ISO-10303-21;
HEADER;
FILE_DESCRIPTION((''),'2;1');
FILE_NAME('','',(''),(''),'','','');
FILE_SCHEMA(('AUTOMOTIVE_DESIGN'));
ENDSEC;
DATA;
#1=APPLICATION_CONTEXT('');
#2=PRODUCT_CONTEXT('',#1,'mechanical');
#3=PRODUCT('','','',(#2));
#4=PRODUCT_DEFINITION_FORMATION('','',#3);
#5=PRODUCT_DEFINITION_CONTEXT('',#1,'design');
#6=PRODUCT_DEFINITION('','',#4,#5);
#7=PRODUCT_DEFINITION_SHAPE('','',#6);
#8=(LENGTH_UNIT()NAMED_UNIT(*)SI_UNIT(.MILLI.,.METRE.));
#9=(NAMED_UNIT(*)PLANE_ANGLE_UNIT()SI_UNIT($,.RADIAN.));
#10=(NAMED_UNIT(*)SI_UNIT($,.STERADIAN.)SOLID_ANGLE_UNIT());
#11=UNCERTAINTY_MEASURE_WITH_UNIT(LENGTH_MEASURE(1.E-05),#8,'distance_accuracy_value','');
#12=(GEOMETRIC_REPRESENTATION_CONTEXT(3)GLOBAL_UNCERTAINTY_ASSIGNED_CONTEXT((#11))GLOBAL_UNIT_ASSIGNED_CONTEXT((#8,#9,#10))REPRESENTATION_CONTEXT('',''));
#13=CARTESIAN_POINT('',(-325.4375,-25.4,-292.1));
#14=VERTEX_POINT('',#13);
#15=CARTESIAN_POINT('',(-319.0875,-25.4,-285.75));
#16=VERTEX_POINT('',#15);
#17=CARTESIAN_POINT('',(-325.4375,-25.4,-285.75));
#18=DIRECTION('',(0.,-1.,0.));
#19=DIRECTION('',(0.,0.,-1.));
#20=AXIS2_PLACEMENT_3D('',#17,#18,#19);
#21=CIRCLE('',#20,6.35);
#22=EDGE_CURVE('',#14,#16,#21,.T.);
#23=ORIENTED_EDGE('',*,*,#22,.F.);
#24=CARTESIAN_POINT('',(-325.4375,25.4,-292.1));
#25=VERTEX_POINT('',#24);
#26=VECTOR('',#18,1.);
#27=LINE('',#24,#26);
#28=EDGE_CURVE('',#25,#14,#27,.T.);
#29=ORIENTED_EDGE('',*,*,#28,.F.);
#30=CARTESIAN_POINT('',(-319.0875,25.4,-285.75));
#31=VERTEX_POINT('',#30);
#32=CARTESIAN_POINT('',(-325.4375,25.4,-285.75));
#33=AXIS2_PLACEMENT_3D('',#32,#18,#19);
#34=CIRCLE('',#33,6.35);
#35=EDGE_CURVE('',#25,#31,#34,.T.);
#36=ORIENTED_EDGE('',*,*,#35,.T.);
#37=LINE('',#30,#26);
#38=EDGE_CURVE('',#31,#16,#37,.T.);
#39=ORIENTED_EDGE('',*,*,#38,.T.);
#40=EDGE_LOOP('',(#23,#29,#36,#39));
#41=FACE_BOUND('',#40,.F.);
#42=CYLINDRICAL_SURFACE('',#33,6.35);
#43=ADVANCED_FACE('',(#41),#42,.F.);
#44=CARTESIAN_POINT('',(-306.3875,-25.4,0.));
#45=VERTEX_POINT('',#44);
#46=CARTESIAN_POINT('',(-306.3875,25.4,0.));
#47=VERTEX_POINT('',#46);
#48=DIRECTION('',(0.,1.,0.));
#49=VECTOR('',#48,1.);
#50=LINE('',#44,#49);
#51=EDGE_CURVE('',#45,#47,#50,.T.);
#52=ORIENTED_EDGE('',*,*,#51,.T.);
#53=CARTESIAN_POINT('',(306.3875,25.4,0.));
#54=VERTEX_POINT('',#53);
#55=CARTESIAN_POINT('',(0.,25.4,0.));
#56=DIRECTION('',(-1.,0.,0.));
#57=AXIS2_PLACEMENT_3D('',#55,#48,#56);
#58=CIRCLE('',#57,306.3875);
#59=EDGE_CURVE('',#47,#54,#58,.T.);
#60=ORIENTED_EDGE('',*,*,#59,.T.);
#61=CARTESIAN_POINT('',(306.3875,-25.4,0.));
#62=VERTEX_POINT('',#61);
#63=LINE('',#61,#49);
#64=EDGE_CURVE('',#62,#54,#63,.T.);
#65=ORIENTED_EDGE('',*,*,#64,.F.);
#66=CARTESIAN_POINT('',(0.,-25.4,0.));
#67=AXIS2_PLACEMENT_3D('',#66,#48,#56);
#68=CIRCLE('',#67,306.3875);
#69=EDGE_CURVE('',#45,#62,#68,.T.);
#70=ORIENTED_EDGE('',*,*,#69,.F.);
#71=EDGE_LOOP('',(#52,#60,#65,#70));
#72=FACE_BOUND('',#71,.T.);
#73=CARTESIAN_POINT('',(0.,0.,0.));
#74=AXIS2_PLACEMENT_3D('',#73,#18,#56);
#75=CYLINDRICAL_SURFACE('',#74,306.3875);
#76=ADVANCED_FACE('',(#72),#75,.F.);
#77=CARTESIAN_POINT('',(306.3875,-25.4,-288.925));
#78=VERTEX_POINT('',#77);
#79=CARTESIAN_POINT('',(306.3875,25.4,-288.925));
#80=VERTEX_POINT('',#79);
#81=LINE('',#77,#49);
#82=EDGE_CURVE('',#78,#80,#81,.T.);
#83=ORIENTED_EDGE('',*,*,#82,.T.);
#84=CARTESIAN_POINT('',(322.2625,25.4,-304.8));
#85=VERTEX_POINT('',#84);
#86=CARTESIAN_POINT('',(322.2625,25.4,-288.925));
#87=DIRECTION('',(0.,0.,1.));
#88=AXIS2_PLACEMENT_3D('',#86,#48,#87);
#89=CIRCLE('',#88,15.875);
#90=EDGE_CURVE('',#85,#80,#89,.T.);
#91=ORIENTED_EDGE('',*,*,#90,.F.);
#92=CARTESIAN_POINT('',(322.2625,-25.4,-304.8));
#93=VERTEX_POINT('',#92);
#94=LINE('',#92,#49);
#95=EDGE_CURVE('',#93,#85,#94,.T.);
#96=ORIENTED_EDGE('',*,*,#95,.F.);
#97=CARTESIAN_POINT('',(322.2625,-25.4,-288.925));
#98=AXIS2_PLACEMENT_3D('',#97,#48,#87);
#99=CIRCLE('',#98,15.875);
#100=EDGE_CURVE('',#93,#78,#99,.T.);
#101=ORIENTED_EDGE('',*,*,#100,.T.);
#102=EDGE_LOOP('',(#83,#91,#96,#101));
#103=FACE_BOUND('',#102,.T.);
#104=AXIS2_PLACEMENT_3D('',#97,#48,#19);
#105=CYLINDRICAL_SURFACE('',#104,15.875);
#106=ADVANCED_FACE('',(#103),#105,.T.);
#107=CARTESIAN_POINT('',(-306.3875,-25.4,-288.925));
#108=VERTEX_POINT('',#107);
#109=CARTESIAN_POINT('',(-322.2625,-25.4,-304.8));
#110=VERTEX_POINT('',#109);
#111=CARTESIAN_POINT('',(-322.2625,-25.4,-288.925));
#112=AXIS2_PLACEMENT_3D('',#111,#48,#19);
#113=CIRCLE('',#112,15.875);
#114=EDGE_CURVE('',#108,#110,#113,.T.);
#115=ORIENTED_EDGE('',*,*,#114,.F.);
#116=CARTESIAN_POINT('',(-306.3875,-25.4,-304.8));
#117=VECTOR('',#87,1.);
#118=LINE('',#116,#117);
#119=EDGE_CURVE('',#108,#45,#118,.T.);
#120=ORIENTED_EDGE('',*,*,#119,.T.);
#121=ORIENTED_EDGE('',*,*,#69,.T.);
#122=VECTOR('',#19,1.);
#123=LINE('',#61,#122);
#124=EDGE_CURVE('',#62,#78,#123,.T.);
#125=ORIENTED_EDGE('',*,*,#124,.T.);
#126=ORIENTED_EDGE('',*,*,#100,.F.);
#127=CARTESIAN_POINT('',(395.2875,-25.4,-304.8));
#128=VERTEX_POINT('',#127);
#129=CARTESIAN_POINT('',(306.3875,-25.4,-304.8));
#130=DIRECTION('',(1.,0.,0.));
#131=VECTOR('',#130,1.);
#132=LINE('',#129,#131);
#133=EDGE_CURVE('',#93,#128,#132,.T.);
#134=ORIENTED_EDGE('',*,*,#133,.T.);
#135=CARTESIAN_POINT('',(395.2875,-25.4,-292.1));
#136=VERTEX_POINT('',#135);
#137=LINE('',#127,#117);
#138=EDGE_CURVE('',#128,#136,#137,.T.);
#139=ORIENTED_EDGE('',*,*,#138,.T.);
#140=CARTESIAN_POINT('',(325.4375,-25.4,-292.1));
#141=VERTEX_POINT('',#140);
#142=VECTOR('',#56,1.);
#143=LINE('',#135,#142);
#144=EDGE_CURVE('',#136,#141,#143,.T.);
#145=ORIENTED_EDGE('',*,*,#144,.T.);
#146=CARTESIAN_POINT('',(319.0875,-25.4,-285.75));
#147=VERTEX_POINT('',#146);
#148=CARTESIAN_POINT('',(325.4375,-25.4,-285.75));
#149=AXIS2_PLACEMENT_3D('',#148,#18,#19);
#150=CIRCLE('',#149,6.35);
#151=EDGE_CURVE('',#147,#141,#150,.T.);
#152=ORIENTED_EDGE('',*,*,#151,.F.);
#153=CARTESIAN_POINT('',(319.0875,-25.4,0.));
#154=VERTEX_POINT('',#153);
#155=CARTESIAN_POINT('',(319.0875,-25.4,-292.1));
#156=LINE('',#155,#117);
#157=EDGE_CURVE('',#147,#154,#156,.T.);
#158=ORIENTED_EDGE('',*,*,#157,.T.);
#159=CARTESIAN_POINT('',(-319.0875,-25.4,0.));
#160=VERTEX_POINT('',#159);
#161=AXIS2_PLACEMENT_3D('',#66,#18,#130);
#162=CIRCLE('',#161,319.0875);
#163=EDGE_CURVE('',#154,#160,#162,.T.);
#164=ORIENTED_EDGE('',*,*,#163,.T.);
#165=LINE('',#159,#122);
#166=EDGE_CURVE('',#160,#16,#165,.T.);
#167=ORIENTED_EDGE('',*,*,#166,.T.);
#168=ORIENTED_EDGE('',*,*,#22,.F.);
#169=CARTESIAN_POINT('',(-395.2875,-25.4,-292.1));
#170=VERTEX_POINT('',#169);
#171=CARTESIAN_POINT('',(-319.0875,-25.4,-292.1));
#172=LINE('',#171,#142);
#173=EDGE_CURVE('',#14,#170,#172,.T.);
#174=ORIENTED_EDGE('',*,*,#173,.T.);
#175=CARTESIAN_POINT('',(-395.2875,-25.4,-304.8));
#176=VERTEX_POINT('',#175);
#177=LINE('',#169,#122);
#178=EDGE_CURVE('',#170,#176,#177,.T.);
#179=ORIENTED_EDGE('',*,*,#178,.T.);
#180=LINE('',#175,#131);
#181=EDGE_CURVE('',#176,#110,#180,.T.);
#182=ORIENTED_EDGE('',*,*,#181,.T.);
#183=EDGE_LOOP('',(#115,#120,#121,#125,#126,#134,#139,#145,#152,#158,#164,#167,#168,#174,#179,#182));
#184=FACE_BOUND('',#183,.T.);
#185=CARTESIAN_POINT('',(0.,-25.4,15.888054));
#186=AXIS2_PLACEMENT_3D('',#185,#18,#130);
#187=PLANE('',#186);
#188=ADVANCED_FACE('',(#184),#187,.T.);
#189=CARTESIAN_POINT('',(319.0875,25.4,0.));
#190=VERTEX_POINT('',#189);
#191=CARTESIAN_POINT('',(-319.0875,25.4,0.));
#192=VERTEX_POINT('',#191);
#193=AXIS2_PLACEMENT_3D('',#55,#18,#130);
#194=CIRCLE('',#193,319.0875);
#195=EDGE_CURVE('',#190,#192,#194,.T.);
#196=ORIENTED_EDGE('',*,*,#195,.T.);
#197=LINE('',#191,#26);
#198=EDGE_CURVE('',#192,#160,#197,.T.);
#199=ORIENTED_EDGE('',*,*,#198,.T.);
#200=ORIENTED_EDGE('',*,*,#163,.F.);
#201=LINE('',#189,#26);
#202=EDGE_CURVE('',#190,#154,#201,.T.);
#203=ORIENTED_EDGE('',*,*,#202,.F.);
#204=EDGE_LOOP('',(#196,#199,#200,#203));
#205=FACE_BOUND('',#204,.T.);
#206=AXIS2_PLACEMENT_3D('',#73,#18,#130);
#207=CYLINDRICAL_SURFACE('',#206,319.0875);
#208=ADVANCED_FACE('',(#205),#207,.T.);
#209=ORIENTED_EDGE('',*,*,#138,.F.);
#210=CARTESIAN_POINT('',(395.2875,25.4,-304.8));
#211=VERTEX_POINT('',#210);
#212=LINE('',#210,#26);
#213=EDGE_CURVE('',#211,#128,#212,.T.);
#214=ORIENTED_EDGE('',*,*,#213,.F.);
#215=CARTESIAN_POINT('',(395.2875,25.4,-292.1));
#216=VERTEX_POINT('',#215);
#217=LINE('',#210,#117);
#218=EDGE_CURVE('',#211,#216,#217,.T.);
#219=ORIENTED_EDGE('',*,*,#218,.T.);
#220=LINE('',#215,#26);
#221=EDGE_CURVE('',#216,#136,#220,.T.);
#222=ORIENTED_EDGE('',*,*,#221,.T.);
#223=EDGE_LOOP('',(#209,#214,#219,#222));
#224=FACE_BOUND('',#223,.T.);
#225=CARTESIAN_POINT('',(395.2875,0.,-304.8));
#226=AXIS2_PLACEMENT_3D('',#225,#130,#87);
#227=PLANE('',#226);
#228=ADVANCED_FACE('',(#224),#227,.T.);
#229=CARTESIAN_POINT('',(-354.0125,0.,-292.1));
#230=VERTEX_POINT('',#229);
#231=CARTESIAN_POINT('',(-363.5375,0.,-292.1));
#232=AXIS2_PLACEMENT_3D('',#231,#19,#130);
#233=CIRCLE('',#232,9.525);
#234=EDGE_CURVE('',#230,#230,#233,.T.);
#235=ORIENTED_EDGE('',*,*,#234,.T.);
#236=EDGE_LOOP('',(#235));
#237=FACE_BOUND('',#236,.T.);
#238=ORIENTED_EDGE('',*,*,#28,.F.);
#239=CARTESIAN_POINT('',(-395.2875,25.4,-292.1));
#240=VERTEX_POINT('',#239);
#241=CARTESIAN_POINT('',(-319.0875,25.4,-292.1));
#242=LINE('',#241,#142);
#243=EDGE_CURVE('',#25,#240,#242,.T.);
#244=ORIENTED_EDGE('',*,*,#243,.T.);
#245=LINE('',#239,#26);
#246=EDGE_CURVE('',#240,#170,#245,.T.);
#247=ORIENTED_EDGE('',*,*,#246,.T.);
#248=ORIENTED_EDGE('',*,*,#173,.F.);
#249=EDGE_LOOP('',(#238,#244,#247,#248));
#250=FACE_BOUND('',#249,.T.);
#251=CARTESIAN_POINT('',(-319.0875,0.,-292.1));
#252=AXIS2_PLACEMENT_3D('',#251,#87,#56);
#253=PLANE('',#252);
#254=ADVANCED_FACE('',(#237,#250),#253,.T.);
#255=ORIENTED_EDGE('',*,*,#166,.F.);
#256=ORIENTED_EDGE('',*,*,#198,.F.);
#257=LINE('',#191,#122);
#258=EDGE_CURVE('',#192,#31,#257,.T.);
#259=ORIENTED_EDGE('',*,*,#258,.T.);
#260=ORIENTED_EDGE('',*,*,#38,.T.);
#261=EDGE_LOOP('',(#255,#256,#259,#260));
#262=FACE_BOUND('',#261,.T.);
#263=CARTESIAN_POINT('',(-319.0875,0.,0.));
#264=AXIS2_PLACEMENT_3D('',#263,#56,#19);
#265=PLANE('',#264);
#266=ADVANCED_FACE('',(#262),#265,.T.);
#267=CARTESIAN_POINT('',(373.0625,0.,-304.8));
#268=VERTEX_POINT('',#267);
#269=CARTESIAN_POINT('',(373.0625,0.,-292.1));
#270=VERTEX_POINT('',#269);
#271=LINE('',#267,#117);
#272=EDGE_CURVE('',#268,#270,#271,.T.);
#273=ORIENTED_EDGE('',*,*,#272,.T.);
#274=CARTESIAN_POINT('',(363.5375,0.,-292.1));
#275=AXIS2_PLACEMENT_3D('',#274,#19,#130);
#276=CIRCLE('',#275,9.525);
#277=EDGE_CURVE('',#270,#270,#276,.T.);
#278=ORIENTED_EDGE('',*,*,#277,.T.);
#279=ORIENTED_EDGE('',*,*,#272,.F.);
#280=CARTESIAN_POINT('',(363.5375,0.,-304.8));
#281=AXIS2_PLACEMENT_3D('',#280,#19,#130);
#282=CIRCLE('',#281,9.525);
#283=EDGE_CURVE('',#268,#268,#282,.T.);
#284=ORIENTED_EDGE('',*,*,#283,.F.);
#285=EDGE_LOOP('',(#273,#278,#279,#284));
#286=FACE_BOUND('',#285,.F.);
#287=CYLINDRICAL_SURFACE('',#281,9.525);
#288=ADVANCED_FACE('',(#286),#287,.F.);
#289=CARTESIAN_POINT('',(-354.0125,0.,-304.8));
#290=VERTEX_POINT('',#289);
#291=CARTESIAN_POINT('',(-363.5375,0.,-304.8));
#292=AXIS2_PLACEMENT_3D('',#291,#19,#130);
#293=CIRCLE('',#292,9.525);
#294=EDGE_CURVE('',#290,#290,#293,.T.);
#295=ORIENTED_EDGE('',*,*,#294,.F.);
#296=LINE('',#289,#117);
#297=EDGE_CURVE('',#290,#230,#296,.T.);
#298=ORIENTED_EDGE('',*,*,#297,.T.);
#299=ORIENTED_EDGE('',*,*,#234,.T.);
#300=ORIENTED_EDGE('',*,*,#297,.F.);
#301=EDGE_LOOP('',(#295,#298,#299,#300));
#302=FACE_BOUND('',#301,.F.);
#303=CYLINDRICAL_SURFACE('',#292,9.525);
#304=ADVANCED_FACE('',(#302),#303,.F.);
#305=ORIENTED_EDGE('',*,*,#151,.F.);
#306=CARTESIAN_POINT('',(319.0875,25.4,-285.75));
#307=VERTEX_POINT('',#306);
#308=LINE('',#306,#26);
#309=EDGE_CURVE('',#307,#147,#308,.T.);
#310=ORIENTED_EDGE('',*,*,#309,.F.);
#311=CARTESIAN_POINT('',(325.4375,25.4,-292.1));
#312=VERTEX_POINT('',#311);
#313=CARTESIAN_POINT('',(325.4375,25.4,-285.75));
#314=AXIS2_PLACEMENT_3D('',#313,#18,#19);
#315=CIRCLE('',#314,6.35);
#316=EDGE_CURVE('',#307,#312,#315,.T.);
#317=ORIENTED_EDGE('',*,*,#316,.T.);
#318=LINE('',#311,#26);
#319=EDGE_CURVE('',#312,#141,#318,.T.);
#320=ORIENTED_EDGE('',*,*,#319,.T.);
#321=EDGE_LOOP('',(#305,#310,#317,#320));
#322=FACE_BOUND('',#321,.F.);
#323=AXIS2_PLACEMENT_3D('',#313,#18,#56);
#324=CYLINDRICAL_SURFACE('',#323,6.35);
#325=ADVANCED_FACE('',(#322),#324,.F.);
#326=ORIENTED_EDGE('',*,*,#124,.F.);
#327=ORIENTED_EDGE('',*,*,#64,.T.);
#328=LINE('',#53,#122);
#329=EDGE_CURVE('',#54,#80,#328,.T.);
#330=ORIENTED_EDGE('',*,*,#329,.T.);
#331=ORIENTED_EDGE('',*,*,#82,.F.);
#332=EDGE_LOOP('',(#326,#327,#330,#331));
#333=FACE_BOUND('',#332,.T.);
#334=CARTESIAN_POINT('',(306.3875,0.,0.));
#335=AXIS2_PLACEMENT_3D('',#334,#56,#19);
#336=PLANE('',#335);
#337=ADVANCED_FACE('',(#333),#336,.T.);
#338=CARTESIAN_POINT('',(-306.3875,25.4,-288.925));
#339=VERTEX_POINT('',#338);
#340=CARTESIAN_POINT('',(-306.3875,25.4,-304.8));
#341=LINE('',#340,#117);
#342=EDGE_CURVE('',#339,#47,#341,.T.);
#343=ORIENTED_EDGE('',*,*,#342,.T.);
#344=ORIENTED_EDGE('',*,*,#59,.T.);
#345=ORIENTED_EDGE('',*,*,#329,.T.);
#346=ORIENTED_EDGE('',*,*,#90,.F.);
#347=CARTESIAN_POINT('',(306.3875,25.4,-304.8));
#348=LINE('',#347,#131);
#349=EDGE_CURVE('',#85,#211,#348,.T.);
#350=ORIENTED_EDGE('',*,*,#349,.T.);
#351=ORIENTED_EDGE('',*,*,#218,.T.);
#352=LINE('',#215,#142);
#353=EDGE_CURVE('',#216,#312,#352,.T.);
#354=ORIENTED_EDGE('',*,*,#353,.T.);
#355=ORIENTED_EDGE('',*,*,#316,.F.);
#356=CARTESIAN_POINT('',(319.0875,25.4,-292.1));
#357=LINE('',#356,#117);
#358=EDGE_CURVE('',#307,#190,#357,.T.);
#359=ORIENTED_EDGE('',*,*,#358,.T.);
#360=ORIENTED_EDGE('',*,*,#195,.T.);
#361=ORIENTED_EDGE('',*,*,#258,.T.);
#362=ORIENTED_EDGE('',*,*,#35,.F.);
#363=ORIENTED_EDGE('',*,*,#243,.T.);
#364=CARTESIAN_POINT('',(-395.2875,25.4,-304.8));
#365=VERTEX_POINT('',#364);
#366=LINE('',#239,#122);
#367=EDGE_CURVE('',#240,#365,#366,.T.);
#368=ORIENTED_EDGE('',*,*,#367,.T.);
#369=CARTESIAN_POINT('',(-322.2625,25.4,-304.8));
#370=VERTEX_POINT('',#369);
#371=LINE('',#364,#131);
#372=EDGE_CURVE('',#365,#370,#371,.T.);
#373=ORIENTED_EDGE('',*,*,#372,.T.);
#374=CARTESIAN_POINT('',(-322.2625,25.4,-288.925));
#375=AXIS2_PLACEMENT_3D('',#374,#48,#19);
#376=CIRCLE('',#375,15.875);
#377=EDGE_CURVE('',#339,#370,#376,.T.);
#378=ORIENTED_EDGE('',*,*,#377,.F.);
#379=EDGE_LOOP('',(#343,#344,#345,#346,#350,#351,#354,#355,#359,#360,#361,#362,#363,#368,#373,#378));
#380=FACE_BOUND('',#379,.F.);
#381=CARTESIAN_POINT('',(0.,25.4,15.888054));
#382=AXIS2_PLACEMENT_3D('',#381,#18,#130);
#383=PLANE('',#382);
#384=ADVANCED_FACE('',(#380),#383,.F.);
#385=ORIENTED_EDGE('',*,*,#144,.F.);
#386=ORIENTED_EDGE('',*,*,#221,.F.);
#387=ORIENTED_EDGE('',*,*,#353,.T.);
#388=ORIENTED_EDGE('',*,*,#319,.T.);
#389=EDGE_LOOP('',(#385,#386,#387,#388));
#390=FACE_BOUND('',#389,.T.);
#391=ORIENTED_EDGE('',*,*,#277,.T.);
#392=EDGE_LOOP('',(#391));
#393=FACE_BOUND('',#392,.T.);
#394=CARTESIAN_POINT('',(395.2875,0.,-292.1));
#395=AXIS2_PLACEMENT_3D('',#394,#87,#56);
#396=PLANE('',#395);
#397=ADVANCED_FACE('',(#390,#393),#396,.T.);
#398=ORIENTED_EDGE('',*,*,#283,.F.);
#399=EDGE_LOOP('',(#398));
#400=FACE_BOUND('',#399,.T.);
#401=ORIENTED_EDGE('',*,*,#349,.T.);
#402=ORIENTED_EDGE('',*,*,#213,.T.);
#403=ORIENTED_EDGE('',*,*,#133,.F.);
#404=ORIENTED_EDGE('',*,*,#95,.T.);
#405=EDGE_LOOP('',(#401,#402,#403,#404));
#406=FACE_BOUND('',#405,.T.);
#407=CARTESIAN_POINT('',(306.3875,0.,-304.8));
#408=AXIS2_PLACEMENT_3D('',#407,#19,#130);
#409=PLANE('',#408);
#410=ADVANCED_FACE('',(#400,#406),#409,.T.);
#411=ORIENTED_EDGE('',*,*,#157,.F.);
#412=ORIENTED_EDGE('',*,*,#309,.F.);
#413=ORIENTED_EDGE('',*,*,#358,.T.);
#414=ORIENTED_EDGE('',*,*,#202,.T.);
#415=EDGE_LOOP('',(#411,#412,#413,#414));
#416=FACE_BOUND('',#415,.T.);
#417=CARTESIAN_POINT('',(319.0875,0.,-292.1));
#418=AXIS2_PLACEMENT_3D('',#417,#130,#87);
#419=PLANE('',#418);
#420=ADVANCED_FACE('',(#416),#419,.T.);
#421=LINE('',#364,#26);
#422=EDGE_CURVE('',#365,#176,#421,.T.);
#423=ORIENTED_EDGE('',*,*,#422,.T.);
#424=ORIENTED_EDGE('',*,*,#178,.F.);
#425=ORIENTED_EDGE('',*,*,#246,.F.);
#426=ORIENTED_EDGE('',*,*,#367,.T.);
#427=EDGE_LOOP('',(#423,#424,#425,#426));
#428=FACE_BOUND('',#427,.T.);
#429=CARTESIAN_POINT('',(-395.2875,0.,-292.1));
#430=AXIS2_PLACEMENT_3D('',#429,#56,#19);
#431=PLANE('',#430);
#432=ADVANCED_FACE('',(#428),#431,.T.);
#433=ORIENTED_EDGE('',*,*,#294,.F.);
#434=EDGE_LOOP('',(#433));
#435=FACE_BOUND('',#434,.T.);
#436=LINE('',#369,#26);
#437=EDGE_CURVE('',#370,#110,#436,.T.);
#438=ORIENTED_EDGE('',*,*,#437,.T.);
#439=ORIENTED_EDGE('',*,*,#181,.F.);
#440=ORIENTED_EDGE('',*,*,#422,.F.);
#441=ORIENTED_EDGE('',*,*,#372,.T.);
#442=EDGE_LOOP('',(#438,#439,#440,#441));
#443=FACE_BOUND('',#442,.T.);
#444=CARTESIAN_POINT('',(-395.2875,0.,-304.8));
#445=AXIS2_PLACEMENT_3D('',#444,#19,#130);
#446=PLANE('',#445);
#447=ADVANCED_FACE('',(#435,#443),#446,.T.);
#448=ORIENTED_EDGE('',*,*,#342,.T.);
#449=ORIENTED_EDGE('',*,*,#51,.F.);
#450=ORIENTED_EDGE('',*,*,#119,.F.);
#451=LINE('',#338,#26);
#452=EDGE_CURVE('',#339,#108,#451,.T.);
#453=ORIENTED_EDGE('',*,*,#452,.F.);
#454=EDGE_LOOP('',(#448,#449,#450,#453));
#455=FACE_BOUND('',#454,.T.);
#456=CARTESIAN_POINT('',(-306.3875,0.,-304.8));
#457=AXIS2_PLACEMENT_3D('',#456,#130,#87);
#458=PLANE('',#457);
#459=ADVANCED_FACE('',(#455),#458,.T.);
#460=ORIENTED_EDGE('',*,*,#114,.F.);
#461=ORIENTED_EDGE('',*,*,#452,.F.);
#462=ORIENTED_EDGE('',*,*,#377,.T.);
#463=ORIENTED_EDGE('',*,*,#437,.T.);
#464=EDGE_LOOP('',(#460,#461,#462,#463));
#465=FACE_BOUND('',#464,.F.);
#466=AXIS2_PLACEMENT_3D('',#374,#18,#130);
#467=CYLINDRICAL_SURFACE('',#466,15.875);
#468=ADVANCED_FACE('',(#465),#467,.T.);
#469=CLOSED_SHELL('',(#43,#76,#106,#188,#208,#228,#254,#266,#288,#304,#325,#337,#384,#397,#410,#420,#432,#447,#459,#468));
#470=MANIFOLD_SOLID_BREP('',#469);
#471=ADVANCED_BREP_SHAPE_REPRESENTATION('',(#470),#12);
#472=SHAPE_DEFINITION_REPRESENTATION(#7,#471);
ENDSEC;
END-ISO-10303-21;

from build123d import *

# Parameters (mm, degrees)
F1_DEPTH = 25.4
F2_R     = 6.35
F3_R     = 15.875
F4_R     = 9.525
F5_DEPTH = 25.4


with BuildPart() as f1:
    # F0 (on Front) → F1 (new body, symmetric)
    with BuildSketch(Plane.XZ):
        with BuildLine():
            Line((306.3875, -304.8), (395.2875, -304.8))
            Line((395.2875, -304.8), (395.2875, -292.1))
            Line((395.2875, -292.1), (319.0875, -292.1))
            Line((319.0875, -292.1), (319.0875, 0))
            ThreePointArc((319.0875, 0), (0, 319.0875), (-319.0875, 0))
            Line((-319.0875, 0), (-319.0875, -292.1))
            Line((-319.0875, -292.1), (-395.2875, -292.1))
            Line((-395.2875, -292.1), (-395.2875, -304.8))
            Line((-395.2875, -304.8), (-306.3875, -304.8))
            Line((-306.3875, -304.8), (-306.3875, 0))
            ThreePointArc((-306.3875, 0), (0, 306.3875), (306.3875, 0))
            Line((306.3875, 0), (306.3875, -304.8))
        make_face()
    extrude(amount=F1_DEPTH, both=True)

    # F2
    f2_edges = [f1.edges().sort_by_distance(p)[0] for p in [
        (-319.0875, 0, -292.1),
        (319.0875, 0, -292.1),
    ]]
    fillet(f2_edges, radius=F2_R)

    # F3
    f3_edges = [f1.edges().sort_by_distance(p)[0] for p in [
        (306.3875, 0, -304.8),
        (-306.3875, 0, -304.8),
    ]]
    fillet(f3_edges, radius=F3_R)

    # F4 (on face) → F5 (cut)
    with BuildSketch(Plane(origin=(0, 0, -304.8), x_dir=(1, 0, 0), z_dir=(0, 0, -1))):
        with Locations((-363.5375, 0)):
            Circle(F4_R)
        with Locations((363.5375, 0)):
            Circle(F4_R)
    extrude(amount=-F5_DEPTH, mode=Mode.SUBTRACT)


solid = f1.part
